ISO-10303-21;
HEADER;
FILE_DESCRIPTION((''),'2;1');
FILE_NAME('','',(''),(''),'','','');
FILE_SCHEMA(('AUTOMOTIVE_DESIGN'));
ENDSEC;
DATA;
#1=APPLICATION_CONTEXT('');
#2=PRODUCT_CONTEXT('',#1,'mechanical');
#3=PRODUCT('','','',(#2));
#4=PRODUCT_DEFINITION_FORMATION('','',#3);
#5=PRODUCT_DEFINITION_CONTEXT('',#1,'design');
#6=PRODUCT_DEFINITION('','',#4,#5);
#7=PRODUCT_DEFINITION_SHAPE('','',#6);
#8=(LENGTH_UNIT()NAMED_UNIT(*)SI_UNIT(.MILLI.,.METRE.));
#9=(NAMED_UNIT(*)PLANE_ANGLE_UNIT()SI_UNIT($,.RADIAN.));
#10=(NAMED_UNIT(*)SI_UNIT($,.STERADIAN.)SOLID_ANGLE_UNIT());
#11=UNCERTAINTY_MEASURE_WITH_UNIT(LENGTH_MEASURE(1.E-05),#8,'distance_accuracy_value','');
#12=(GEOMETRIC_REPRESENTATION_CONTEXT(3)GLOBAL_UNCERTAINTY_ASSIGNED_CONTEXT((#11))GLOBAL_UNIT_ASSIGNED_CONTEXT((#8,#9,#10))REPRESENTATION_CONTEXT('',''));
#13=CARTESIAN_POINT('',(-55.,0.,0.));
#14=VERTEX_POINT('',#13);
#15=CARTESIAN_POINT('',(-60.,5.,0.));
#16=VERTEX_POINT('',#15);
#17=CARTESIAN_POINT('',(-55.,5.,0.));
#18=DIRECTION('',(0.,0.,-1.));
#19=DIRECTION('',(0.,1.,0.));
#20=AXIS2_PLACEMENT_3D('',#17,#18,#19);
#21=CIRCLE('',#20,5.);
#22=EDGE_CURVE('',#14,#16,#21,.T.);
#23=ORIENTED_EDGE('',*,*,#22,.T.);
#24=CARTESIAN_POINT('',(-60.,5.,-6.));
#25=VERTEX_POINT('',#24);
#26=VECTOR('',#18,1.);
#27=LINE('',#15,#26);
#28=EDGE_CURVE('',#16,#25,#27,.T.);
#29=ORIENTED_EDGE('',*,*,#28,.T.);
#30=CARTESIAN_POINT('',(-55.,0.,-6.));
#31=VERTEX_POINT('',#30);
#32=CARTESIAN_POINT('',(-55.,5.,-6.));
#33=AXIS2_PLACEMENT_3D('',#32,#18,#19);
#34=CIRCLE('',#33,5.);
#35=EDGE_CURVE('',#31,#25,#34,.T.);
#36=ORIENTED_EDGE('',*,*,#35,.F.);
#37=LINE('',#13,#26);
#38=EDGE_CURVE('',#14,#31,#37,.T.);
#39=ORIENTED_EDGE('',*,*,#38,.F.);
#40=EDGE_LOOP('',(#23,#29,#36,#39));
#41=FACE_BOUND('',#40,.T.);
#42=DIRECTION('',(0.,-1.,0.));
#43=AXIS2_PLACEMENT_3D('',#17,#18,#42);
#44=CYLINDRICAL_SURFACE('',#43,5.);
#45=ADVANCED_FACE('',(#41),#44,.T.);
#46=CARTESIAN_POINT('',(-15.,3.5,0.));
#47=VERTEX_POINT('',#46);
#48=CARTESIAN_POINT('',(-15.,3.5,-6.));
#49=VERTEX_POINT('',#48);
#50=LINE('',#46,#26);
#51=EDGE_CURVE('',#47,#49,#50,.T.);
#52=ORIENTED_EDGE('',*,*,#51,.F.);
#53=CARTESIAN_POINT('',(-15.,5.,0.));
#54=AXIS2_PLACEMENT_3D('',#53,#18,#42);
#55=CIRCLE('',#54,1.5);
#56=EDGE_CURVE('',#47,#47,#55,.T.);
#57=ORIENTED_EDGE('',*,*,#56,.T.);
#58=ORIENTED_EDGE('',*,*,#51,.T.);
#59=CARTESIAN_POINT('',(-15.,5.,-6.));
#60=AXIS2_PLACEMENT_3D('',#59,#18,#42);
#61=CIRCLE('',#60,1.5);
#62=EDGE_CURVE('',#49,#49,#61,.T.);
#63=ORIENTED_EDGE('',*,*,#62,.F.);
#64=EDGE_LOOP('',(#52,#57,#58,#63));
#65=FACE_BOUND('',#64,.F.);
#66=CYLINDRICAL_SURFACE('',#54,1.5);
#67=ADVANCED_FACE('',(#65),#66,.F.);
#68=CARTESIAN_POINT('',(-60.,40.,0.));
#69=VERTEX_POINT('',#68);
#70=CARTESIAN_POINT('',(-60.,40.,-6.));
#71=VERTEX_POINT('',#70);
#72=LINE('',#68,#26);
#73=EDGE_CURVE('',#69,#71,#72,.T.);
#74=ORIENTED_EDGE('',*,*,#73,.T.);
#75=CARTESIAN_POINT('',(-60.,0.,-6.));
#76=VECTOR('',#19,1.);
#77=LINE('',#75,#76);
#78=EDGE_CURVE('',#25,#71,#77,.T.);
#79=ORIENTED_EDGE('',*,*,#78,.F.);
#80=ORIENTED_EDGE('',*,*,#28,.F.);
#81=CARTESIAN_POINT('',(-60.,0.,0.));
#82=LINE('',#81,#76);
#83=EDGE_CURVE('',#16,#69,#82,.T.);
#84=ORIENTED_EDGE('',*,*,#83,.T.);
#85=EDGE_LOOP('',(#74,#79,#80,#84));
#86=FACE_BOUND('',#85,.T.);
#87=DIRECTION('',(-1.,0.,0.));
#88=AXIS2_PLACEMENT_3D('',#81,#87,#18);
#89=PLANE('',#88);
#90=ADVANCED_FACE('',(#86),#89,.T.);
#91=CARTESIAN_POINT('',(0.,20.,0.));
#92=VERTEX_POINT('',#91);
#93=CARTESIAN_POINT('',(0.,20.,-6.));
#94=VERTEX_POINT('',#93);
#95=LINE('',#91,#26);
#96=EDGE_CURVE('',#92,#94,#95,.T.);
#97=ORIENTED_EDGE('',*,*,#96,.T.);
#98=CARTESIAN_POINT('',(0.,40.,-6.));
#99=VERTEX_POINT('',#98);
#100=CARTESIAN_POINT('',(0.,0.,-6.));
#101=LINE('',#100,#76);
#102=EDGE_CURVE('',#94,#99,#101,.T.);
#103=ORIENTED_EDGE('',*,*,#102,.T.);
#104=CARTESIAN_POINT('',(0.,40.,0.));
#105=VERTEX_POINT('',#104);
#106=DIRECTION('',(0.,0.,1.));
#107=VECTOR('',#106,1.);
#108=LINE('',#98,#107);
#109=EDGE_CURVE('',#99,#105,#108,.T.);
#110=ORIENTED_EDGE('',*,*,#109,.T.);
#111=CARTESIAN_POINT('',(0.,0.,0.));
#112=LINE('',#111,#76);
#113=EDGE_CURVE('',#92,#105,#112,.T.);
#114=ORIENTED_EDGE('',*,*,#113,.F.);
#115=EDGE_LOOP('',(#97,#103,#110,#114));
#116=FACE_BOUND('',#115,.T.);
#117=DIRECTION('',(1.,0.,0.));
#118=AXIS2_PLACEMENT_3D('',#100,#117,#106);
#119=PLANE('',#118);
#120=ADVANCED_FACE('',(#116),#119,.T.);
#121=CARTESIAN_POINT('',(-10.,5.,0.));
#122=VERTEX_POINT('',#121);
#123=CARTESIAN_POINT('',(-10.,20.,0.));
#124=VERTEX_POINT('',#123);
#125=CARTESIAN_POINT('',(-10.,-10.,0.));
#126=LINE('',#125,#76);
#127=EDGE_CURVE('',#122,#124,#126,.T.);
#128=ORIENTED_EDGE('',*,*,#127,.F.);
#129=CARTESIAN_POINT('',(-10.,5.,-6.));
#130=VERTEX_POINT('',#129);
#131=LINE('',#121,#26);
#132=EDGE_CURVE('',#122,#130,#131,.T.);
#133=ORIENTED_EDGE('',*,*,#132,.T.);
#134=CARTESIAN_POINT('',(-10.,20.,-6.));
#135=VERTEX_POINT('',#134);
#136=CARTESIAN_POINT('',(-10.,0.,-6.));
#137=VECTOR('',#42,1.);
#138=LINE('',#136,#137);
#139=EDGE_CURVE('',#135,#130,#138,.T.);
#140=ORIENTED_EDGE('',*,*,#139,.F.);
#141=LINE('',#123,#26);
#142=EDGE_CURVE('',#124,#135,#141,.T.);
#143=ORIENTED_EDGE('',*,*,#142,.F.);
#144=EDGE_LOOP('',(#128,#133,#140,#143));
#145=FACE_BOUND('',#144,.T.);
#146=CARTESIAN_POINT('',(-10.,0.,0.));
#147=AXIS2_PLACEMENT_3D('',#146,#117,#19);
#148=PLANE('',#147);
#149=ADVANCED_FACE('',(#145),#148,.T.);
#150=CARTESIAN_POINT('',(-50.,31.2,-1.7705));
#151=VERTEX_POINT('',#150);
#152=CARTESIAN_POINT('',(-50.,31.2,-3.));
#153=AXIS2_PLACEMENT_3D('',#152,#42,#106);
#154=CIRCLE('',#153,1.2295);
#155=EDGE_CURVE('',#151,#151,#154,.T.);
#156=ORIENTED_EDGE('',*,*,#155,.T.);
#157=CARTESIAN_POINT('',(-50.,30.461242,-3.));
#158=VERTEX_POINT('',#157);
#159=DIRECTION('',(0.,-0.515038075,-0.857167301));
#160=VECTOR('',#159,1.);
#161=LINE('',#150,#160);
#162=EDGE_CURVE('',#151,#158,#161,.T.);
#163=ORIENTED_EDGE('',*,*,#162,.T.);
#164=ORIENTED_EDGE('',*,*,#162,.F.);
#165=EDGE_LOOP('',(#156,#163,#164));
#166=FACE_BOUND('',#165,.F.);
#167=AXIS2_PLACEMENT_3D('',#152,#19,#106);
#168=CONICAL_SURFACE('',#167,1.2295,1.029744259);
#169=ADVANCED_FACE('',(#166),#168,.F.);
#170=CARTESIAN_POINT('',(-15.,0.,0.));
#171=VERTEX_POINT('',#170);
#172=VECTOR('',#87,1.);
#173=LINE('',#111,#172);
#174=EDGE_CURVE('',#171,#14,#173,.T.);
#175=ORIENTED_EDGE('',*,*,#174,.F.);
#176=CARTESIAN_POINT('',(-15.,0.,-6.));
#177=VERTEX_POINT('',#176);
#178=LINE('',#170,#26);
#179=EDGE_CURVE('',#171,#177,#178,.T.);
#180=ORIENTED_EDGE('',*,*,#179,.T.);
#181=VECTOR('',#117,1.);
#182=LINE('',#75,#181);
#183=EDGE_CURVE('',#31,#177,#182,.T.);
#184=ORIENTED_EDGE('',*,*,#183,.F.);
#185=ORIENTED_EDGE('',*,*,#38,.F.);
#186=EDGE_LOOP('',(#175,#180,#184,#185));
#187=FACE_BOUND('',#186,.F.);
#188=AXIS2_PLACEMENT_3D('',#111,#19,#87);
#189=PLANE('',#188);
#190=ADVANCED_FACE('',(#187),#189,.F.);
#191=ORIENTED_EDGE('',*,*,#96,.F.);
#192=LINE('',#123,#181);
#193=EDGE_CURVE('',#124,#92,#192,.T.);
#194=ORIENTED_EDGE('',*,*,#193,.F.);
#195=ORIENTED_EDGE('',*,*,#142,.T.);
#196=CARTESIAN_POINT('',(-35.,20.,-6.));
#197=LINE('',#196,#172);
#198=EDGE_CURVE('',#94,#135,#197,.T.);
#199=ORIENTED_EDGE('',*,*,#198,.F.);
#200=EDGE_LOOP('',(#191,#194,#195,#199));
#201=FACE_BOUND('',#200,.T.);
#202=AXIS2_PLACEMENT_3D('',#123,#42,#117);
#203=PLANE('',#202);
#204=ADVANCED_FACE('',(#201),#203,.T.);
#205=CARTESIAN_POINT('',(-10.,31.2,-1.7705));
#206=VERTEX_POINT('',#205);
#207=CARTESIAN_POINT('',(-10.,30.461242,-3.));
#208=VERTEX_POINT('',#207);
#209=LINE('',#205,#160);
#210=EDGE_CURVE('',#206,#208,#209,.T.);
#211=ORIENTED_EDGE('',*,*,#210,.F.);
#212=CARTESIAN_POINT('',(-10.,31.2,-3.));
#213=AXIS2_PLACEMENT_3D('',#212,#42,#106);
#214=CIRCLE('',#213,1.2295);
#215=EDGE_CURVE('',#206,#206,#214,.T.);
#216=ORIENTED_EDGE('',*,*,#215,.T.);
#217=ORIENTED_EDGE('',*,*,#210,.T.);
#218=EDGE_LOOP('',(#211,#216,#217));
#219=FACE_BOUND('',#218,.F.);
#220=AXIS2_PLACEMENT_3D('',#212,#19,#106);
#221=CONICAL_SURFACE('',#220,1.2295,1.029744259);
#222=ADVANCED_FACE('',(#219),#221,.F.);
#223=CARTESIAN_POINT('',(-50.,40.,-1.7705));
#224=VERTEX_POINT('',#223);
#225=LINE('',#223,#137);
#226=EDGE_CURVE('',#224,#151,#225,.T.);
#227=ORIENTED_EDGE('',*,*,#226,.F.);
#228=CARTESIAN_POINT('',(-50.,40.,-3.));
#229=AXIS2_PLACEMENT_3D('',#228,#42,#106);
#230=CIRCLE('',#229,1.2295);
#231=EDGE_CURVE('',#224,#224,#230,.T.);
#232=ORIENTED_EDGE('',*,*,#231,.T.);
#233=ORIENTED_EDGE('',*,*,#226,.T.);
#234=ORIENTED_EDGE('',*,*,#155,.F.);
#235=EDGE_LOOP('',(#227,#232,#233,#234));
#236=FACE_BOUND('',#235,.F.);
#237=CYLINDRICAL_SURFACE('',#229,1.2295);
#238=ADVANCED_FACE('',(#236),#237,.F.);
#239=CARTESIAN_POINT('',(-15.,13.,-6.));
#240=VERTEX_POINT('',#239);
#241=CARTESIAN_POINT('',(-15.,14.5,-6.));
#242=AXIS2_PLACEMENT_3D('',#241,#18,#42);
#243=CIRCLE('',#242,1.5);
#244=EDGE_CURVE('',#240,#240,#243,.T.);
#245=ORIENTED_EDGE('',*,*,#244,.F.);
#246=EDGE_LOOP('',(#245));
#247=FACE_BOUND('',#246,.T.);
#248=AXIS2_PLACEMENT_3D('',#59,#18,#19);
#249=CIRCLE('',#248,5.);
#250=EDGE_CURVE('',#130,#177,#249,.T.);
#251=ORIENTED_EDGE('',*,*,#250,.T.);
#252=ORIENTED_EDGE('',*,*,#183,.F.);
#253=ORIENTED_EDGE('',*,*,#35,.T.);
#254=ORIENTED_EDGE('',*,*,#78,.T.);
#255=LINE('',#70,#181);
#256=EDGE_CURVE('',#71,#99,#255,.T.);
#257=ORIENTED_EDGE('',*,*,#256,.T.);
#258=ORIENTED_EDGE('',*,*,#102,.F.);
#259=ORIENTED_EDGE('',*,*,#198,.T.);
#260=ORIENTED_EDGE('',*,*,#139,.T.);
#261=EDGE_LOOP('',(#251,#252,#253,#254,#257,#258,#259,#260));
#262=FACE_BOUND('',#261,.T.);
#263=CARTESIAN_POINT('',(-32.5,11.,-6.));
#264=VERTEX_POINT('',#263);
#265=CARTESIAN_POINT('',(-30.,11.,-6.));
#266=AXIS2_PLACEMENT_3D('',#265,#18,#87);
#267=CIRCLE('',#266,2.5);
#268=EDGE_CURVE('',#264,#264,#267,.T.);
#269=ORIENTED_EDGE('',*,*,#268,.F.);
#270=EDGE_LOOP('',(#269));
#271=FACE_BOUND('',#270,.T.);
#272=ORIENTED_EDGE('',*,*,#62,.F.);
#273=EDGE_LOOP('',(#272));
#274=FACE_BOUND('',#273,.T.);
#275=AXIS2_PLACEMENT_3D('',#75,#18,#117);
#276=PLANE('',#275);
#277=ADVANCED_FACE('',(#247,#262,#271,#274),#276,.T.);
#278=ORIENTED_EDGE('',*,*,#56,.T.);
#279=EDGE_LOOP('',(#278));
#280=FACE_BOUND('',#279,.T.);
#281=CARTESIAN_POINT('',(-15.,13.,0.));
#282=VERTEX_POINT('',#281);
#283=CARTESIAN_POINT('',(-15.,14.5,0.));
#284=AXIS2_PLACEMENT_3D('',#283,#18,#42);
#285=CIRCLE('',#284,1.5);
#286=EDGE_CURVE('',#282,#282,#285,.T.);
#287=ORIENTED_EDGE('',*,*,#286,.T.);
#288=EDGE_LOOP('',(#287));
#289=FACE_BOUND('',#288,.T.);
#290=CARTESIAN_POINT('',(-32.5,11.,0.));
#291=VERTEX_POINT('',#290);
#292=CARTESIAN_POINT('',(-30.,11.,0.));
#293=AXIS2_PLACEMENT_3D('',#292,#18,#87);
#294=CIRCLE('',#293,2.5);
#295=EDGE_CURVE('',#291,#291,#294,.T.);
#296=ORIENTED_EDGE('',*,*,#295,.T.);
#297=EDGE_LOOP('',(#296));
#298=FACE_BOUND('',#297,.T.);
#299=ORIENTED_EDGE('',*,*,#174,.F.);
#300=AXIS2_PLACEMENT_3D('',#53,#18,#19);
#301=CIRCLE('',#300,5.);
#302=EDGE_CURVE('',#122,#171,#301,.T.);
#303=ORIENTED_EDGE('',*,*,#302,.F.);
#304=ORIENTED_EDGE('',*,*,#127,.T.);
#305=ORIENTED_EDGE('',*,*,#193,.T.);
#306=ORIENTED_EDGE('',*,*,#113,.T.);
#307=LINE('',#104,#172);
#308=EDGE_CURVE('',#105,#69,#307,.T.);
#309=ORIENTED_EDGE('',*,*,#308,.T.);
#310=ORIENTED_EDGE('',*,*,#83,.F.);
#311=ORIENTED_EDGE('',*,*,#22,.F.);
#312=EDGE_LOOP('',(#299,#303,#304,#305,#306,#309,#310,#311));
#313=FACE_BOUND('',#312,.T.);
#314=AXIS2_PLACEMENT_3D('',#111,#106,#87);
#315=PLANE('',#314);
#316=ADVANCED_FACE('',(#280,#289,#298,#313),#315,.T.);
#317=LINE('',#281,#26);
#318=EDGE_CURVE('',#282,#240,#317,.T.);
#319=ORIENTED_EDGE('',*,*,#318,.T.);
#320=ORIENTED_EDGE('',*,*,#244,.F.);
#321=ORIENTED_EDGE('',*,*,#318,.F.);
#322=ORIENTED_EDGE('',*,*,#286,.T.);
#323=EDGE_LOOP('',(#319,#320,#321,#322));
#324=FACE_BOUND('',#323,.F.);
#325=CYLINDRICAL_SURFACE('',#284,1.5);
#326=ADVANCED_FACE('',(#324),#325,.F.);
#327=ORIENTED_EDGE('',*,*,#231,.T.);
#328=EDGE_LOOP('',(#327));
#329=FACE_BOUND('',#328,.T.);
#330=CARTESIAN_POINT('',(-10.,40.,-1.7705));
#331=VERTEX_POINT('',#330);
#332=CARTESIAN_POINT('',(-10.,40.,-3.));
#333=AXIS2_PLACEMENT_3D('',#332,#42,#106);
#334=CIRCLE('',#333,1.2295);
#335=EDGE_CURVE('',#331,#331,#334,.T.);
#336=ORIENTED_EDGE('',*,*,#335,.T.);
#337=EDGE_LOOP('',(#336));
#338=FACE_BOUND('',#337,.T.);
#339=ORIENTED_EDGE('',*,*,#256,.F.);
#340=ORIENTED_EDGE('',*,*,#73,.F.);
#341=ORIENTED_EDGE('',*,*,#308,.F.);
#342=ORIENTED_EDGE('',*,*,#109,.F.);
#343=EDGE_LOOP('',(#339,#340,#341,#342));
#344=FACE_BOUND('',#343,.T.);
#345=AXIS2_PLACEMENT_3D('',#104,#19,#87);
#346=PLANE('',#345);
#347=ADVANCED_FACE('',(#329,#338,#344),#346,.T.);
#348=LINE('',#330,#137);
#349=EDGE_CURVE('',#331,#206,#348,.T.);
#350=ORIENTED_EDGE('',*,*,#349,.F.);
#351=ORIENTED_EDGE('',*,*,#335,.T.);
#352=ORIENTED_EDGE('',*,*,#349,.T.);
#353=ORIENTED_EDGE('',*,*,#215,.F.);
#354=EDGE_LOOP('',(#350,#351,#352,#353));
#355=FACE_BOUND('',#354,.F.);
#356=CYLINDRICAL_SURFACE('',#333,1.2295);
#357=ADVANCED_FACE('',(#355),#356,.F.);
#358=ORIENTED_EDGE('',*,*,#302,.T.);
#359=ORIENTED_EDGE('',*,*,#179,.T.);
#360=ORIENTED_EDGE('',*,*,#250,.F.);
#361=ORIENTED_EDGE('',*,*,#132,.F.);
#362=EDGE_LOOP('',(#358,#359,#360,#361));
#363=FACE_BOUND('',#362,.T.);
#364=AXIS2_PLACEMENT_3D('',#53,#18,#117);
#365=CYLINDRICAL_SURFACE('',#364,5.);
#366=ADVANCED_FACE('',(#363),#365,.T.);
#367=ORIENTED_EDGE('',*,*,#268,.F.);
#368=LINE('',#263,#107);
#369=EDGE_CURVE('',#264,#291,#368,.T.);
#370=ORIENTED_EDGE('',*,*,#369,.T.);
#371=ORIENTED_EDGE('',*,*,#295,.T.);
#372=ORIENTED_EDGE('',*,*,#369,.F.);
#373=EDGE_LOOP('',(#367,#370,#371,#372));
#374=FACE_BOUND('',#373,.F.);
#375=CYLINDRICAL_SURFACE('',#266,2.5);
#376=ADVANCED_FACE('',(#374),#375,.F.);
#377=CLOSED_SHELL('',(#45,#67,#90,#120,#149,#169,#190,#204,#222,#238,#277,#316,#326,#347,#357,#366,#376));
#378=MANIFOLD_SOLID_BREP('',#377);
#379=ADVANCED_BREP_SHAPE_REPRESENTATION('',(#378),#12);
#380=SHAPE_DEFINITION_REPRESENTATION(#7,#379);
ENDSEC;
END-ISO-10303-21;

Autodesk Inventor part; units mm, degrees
ref_plane "YZ Plane" through (0, 0, 0) normal (1, 0, 0) x (0, 1, 0)
ref_plane "XZ Plane" through (0, 0, 0) normal (0, 1, 0) x (-1, 0, 0)
ref_plane "XY Plane" through (0, 0, 0) normal (0, 0, 1) x (1, 0, 0)
sketch "Sketch1" plane through (0, 0, 0) normal (0, 1, 0) x (-1, 0, 0)
  line L0 (0, 0) -> (60, 0)
  line L1 (60, 0) -> (60, -6)
  line L2 (60, -6) -> (0, -6)
  line L3 (0, -6) -> (0, 0)
  dimension "d7" = 60
  dimension "d8" = 6
extrude "Extrusion1" add sketch "Sketch1" along normal blind 40
sketch "Sketch2" plane through (0, 0, -6) normal (0, 0, -1) x (-1, 0, 0)
  circle A0 centre (30, 11) radius 2.5
  line L0 (0, 40) -> (60, 40) projected
  line L1 (0, 0) -> (0, 40) projected
  line L2 (0, 0) -> (60, 0) projected
  dimension "d2" = 5
  dimension "d3" = 29
  dimension "d4" = 30
extrude "Extrusion2" cut sketch "Sketch2" against normal blind 10
fillet "Fillet1" radius 5 2 edges at (-60, 0, -3) (0, 0, -3)
sketch "Sketch3" plane through (-60, 40, 0) normal (0, 0, 1) x (1, 0, 0)
  circle A0 centre (45, -35) radius 1.5
  circle A1 centre (45, -25.5) radius 1.5
  line L0 (5, -40) -> (55, -40) projected
  line L1 (60, -35) -> (60, 0) projected
  point P0 (60, -40)
  dimension "d16" = 5
  dimension "d17" = 9.5
  dimension "d18" = 15
  dimension "d20" = 3
  dimension "d21" = 3
  dimension "d42" = 15
hole "Hole1" at (-15, 5, 0) at (-15, 14.5, 0) direction (0, 0, -1) diameter 3 end through all
sketch "Sketch4" plane through (0, 40, 0) normal (0, 1, 0) x (1, 0, 0)
  circle A0 centre (-10, 2.5) radius 1.5 projected
  circle A1 centre (-50, 2.5) radius 1.5 projected
  circle A2 centre (-50, 3) radius 1.5
  circle A3 centre (-10, 3) radius 1.5
  line L0 (-60, 0) -> (0, 0) projected
  line L1 (-60, 6) -> (-60, 0) projected
  line L2 (0, 0) -> (0, 6) projected
  dimension "d36" = 3
  dimension "d37" = 3
  dimension "d38" = 10
  dimension "d39" = 10
  dimension "d40" = 3
  dimension "d41" = 3
hole "Hole2" at (-50, 40, -3) at (-10, 40, -3) direction (0, -1, 0) diameter 2.459 depth 8.8 tip angle 118 thread size "M3x0.5" class "6H" standard "ISO Metric profile"
sketch "Sketch5" plane through (-60, 40, 0) normal (0, 0, 1) x (1, 0, 0)
  line L0 (70, -50) -> (50, -50)
  line L1 (50, -50) -> (50, -20)
  line L2 (50, -20) -> (70, -20)
  line L3 (70, -20) -> (70, -50)
  line L4 (5, -40) -> (55, -40) projected
  line L5 (60, -35) -> (60, 0) projected
  point P0 (60, -40)
  dimension "d43" = 10
  dimension "d44" = 10
  dimension "d45" = 20
  dimension "d46" = 10
extrude "Extrusion3" cut sketch "Sketch5" against normal blind 10
fillet "Fillet2" radius 5 1 edges at (-10, 0, -3)
equation "\"d22\" = d20"
properties part number "X-Axis_beltplates"
